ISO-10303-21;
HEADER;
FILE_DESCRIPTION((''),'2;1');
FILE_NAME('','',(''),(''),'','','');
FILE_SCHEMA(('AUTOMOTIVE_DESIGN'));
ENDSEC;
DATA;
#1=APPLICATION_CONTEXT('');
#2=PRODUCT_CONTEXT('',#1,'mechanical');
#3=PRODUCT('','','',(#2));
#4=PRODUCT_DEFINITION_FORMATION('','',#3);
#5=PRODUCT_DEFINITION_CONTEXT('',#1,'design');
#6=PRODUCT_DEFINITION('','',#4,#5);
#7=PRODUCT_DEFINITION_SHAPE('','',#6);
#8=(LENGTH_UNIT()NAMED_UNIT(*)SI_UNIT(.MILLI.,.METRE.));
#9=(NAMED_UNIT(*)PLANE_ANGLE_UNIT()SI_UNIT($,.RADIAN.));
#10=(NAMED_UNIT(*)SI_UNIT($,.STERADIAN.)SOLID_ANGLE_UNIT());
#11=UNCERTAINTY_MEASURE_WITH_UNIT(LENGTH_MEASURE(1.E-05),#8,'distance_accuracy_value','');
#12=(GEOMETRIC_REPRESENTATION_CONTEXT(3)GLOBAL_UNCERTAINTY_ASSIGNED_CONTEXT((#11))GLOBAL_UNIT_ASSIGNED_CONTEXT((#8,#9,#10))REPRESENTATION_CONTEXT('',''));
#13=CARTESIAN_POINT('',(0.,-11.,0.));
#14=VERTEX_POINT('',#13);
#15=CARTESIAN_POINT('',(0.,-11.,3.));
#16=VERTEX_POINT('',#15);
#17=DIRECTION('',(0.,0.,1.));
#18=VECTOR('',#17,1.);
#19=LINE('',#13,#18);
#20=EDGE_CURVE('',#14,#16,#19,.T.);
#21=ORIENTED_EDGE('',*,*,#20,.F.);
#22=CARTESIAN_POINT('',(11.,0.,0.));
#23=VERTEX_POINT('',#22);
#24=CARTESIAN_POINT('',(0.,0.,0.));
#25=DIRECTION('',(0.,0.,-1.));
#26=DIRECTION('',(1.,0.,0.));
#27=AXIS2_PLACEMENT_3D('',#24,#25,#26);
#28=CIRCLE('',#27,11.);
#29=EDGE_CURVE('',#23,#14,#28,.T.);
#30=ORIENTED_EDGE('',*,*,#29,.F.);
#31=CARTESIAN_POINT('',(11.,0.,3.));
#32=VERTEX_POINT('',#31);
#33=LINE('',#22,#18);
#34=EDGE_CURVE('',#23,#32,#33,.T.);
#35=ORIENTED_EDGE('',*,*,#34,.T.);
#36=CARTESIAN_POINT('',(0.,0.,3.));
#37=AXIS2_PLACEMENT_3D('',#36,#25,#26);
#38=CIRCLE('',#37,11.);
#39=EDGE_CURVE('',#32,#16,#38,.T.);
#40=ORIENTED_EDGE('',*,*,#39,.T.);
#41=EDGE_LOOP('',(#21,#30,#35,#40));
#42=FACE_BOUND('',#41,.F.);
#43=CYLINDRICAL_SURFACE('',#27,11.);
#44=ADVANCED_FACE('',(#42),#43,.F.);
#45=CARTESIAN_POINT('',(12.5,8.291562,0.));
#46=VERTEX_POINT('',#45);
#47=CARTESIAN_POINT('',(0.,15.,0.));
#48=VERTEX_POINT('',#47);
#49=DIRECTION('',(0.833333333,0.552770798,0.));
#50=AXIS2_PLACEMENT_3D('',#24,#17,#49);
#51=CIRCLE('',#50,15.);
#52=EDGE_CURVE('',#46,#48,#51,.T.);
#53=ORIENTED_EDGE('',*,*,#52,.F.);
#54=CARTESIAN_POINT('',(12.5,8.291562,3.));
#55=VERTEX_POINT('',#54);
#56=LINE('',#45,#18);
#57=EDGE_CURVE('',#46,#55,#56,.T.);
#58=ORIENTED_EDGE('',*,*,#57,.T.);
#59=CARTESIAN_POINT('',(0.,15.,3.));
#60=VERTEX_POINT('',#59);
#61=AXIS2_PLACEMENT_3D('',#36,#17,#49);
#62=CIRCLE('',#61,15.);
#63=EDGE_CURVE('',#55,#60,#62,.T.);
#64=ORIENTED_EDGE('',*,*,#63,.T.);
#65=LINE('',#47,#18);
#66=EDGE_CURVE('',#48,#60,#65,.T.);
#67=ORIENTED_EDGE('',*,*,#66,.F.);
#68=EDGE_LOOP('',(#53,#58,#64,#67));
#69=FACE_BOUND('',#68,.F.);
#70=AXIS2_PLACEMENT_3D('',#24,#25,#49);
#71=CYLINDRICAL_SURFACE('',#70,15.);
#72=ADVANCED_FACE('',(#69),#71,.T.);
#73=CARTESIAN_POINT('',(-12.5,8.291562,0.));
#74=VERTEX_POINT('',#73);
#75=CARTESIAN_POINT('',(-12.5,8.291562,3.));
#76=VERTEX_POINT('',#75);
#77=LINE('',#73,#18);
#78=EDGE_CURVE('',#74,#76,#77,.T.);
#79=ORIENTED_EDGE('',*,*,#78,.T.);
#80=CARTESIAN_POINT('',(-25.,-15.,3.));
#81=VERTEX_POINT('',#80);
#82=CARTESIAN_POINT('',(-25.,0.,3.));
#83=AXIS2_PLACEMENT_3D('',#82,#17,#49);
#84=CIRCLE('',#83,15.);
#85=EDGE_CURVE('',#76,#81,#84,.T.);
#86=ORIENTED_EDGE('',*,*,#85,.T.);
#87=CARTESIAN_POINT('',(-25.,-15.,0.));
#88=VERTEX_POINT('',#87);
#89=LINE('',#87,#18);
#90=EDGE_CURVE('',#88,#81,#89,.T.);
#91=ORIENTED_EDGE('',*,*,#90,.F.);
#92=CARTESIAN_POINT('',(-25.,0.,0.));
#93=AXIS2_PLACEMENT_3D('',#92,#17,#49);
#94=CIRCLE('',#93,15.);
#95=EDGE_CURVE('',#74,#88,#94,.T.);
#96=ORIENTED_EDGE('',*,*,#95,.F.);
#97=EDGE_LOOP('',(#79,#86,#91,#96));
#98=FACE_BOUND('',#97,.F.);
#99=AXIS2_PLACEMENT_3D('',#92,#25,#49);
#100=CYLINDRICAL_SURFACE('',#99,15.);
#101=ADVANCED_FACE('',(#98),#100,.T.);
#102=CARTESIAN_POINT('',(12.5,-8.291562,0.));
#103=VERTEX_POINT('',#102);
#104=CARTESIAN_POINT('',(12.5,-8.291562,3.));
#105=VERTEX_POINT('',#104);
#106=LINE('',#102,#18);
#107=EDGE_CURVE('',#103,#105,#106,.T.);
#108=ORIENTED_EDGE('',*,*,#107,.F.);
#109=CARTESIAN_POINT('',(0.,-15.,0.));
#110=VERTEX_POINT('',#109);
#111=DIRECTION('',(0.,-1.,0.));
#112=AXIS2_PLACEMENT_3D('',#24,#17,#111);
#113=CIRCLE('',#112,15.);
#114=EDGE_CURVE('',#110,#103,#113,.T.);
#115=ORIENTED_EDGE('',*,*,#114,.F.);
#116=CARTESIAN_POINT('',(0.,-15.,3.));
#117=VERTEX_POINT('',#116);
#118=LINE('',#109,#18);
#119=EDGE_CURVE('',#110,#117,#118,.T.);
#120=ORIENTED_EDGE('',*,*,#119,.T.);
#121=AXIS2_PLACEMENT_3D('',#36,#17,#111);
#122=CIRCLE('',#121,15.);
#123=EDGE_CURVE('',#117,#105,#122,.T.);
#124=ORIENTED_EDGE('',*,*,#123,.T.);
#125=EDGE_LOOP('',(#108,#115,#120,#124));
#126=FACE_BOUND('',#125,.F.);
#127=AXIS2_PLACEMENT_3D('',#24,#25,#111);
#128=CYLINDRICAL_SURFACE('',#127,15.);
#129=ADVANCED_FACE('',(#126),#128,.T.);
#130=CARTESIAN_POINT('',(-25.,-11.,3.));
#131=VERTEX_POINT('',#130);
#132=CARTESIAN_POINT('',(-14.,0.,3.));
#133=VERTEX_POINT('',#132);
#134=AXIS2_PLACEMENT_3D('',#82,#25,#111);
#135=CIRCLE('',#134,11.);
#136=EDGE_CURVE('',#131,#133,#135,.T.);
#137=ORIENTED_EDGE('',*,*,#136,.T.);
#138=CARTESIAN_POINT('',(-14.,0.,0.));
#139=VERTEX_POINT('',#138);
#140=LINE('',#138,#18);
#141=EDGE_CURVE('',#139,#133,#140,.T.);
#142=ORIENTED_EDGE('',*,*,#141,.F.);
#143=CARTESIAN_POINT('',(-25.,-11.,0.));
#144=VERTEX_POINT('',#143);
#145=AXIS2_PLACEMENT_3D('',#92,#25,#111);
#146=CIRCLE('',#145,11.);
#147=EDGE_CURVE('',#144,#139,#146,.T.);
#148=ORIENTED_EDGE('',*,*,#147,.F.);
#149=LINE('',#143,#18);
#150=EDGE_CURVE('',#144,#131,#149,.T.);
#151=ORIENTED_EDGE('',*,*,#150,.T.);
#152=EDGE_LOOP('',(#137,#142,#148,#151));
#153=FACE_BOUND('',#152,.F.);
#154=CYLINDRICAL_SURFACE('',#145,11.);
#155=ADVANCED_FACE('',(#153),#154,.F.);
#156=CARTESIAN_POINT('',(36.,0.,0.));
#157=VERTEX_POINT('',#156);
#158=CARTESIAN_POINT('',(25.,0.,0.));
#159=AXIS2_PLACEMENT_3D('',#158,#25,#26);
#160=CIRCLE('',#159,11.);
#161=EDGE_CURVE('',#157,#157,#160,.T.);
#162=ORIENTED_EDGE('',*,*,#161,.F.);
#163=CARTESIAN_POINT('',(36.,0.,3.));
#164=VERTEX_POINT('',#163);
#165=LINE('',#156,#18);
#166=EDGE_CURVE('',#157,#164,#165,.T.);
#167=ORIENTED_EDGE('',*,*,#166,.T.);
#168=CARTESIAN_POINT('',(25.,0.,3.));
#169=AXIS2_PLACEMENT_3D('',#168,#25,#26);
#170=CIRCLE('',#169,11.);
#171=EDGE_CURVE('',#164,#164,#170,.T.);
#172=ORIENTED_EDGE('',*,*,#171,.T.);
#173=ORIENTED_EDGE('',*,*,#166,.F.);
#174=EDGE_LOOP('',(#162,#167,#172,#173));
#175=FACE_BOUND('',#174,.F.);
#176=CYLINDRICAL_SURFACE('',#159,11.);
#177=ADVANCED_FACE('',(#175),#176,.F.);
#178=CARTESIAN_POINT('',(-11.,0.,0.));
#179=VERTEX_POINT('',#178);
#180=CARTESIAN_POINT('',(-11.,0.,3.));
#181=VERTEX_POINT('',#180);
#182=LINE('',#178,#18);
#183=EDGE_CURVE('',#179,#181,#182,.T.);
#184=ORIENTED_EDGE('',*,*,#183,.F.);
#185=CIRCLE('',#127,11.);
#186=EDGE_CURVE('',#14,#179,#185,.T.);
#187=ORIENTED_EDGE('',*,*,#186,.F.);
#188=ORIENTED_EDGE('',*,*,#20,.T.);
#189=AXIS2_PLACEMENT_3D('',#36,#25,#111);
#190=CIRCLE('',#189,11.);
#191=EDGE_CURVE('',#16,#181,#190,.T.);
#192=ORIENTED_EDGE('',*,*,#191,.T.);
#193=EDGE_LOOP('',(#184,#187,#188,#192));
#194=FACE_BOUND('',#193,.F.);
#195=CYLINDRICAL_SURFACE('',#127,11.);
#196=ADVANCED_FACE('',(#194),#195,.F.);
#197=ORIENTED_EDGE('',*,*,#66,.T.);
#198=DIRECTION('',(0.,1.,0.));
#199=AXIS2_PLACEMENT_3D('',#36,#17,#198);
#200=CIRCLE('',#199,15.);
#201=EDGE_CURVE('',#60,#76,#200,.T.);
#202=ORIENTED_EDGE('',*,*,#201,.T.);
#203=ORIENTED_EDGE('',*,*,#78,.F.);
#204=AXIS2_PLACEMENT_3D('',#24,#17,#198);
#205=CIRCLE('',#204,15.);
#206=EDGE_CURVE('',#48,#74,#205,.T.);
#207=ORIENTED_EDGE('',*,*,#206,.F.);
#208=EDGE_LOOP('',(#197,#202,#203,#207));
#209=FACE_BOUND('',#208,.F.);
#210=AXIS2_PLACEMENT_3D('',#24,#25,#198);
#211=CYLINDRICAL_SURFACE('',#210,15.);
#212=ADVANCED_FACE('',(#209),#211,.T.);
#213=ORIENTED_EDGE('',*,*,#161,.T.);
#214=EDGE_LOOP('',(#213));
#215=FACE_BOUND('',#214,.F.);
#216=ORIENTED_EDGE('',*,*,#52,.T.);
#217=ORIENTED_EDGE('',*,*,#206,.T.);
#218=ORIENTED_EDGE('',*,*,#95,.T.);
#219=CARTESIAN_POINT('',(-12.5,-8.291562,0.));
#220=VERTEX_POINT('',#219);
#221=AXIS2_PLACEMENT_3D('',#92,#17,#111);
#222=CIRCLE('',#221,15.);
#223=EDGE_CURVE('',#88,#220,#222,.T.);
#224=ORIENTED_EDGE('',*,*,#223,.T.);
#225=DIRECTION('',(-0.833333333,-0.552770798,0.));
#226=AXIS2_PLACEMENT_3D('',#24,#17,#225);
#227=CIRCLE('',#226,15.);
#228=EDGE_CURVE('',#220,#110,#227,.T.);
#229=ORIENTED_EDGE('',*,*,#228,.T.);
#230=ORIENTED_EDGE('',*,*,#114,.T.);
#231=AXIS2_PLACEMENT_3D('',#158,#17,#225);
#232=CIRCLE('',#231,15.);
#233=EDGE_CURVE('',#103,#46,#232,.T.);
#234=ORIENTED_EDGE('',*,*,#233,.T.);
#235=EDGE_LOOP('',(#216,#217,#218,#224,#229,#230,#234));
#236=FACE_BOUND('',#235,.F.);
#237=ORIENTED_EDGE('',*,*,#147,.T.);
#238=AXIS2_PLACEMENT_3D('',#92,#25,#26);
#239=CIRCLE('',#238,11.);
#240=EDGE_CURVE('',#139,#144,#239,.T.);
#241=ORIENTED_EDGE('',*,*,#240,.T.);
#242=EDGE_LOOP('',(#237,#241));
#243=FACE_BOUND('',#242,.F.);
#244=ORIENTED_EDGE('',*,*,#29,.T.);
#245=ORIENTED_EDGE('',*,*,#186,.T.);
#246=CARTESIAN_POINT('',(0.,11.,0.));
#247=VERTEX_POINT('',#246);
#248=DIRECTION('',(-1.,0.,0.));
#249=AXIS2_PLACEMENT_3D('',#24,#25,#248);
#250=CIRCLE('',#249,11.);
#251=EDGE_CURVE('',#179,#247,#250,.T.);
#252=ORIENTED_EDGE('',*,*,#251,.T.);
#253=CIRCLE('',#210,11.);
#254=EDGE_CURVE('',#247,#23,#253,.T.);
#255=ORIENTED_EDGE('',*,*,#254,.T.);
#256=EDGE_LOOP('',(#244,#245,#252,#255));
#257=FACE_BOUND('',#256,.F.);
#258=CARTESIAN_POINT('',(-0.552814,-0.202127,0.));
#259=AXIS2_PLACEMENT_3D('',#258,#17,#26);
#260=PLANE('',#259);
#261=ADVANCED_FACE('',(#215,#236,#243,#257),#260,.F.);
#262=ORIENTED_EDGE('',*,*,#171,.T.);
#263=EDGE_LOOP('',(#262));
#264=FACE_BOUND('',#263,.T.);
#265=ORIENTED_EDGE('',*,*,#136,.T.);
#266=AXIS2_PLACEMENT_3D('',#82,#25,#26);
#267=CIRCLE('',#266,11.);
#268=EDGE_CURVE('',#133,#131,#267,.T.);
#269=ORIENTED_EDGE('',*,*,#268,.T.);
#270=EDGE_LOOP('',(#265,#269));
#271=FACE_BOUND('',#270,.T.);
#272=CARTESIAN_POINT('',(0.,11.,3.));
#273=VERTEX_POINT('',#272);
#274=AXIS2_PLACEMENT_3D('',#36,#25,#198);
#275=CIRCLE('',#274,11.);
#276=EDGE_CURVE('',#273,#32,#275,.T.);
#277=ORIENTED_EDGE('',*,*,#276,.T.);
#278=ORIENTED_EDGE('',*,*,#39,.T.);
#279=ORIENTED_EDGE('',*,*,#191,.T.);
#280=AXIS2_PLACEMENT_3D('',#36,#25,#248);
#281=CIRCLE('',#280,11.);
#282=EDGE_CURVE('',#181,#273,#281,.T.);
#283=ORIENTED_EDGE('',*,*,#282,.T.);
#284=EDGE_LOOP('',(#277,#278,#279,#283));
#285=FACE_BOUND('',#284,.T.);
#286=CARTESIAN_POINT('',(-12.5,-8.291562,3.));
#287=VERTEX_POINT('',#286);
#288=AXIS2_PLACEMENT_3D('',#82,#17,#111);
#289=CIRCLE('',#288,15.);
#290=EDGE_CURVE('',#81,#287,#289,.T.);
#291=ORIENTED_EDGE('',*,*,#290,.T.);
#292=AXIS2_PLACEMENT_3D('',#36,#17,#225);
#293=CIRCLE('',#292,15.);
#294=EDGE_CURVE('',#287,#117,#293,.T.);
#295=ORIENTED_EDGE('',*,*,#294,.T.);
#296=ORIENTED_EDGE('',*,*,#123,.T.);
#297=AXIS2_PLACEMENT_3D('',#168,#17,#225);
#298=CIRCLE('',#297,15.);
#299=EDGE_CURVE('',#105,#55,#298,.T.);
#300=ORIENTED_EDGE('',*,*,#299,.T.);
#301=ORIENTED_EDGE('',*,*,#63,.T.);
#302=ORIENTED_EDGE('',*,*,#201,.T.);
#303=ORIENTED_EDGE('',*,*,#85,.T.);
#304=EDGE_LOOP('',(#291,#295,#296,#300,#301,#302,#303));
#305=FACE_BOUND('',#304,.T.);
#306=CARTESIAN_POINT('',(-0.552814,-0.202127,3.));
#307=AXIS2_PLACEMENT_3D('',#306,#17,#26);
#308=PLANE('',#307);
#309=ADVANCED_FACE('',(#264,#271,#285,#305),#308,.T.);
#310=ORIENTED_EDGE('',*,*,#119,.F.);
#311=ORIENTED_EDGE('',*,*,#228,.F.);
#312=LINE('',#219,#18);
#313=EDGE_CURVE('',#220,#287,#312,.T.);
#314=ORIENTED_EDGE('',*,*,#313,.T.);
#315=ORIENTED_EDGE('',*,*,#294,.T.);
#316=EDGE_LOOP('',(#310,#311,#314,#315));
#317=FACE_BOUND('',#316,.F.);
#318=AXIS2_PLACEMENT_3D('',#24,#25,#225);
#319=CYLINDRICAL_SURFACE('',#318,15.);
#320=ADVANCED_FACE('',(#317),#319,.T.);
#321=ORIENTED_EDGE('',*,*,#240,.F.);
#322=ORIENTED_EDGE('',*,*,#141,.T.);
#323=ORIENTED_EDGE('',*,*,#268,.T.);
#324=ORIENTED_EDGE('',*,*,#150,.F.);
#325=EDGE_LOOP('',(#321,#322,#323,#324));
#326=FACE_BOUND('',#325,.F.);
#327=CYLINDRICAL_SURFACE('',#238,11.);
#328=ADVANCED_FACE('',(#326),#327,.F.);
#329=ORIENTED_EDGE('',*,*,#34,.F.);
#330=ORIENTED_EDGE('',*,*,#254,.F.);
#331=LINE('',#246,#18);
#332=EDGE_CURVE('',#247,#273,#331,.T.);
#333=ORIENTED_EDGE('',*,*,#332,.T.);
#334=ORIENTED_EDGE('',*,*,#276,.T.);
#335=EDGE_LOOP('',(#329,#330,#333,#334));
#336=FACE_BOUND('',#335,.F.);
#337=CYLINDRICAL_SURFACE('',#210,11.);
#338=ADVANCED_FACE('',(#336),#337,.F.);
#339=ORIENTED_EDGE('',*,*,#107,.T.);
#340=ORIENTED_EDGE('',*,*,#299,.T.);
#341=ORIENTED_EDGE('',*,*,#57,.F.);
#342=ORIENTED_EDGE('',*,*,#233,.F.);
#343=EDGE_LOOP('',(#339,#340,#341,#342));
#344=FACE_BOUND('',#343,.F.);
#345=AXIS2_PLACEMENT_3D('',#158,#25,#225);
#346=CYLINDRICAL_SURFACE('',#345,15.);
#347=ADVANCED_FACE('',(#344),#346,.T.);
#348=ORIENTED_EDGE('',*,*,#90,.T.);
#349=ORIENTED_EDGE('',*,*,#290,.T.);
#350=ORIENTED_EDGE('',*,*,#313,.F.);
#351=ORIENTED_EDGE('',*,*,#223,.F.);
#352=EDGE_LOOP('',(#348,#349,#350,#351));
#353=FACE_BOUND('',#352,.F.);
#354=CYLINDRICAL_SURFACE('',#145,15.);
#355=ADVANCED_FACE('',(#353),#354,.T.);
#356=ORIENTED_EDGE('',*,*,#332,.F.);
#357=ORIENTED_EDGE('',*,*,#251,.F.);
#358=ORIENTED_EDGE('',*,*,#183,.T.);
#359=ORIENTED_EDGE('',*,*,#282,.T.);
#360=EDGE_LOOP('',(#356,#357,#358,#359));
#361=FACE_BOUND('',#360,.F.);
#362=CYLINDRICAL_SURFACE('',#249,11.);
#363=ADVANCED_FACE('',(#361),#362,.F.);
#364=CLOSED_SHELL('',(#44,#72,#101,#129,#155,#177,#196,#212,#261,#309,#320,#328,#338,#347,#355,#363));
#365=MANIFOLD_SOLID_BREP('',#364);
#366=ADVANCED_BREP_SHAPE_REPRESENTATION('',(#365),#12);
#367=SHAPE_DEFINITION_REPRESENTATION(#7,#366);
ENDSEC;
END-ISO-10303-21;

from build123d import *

# Parameters (mm, degrees)
F1_DEPTH = 3


with BuildPart() as f1:
    # F0 (on Top) → F1 (new body)
    with BuildSketch(Plane.XY):
        with BuildLine():
            ThreePointArc((-25, -15), (-17.9068141727, -13.2169101843), (-12.5, -8.2915619759))
            ThreePointArc((-12.5, -8.2915619759), (-7.0931858273, -13.2169101843), (0, -15))
            ThreePointArc((0, -15), (7.0931858273, -13.2169101843), (12.5, -8.2915619759))
            ThreePointArc((12.5, -8.2915619759), (40, 0), (12.5, 8.2915619759))
            ThreePointArc((12.5, 8.2915619759), (7.0931858273, 13.2169101843), (0, 15))
            ThreePointArc((0, 15), (-7.0931858273, 13.2169101843), (-12.5, 8.2915619759))
            ThreePointArc((-12.5, 8.2915619759), (-38.2169101843, 7.0931858273), (-25, -15))
        make_face()
        with BuildLine():
            ThreePointArc((-14, 0), (-17.2218254069, -7.7781745931), (-25, -11))
            ThreePointArc((-25, -11), (-32.7781745931, 7.7781745931), (-14, 0))
        make_face(mode=Mode.SUBTRACT)
        with BuildLine():
            ThreePointArc((-11, 0), (-7.7781745931, 7.7781745931), (0, 11))
            ThreePointArc((0, 11), (7.7781745931, 7.7781745931), (11, 0))
            ThreePointArc((11, 0), (7.7781745931, -7.7781745931), (0, -11))
            ThreePointArc((0, -11), (-7.7781745931, -7.7781745931), (-11, 0))
        make_face(mode=Mode.SUBTRACT)
        with BuildLine():
            ThreePointArc((14, 0), (25, 11), (36, 0))
            ThreePointArc((36, 0), (25, -11), (14, 0))
        make_face(mode=Mode.SUBTRACT)
    extrude(amount=F1_DEPTH)


solid = f1.part
